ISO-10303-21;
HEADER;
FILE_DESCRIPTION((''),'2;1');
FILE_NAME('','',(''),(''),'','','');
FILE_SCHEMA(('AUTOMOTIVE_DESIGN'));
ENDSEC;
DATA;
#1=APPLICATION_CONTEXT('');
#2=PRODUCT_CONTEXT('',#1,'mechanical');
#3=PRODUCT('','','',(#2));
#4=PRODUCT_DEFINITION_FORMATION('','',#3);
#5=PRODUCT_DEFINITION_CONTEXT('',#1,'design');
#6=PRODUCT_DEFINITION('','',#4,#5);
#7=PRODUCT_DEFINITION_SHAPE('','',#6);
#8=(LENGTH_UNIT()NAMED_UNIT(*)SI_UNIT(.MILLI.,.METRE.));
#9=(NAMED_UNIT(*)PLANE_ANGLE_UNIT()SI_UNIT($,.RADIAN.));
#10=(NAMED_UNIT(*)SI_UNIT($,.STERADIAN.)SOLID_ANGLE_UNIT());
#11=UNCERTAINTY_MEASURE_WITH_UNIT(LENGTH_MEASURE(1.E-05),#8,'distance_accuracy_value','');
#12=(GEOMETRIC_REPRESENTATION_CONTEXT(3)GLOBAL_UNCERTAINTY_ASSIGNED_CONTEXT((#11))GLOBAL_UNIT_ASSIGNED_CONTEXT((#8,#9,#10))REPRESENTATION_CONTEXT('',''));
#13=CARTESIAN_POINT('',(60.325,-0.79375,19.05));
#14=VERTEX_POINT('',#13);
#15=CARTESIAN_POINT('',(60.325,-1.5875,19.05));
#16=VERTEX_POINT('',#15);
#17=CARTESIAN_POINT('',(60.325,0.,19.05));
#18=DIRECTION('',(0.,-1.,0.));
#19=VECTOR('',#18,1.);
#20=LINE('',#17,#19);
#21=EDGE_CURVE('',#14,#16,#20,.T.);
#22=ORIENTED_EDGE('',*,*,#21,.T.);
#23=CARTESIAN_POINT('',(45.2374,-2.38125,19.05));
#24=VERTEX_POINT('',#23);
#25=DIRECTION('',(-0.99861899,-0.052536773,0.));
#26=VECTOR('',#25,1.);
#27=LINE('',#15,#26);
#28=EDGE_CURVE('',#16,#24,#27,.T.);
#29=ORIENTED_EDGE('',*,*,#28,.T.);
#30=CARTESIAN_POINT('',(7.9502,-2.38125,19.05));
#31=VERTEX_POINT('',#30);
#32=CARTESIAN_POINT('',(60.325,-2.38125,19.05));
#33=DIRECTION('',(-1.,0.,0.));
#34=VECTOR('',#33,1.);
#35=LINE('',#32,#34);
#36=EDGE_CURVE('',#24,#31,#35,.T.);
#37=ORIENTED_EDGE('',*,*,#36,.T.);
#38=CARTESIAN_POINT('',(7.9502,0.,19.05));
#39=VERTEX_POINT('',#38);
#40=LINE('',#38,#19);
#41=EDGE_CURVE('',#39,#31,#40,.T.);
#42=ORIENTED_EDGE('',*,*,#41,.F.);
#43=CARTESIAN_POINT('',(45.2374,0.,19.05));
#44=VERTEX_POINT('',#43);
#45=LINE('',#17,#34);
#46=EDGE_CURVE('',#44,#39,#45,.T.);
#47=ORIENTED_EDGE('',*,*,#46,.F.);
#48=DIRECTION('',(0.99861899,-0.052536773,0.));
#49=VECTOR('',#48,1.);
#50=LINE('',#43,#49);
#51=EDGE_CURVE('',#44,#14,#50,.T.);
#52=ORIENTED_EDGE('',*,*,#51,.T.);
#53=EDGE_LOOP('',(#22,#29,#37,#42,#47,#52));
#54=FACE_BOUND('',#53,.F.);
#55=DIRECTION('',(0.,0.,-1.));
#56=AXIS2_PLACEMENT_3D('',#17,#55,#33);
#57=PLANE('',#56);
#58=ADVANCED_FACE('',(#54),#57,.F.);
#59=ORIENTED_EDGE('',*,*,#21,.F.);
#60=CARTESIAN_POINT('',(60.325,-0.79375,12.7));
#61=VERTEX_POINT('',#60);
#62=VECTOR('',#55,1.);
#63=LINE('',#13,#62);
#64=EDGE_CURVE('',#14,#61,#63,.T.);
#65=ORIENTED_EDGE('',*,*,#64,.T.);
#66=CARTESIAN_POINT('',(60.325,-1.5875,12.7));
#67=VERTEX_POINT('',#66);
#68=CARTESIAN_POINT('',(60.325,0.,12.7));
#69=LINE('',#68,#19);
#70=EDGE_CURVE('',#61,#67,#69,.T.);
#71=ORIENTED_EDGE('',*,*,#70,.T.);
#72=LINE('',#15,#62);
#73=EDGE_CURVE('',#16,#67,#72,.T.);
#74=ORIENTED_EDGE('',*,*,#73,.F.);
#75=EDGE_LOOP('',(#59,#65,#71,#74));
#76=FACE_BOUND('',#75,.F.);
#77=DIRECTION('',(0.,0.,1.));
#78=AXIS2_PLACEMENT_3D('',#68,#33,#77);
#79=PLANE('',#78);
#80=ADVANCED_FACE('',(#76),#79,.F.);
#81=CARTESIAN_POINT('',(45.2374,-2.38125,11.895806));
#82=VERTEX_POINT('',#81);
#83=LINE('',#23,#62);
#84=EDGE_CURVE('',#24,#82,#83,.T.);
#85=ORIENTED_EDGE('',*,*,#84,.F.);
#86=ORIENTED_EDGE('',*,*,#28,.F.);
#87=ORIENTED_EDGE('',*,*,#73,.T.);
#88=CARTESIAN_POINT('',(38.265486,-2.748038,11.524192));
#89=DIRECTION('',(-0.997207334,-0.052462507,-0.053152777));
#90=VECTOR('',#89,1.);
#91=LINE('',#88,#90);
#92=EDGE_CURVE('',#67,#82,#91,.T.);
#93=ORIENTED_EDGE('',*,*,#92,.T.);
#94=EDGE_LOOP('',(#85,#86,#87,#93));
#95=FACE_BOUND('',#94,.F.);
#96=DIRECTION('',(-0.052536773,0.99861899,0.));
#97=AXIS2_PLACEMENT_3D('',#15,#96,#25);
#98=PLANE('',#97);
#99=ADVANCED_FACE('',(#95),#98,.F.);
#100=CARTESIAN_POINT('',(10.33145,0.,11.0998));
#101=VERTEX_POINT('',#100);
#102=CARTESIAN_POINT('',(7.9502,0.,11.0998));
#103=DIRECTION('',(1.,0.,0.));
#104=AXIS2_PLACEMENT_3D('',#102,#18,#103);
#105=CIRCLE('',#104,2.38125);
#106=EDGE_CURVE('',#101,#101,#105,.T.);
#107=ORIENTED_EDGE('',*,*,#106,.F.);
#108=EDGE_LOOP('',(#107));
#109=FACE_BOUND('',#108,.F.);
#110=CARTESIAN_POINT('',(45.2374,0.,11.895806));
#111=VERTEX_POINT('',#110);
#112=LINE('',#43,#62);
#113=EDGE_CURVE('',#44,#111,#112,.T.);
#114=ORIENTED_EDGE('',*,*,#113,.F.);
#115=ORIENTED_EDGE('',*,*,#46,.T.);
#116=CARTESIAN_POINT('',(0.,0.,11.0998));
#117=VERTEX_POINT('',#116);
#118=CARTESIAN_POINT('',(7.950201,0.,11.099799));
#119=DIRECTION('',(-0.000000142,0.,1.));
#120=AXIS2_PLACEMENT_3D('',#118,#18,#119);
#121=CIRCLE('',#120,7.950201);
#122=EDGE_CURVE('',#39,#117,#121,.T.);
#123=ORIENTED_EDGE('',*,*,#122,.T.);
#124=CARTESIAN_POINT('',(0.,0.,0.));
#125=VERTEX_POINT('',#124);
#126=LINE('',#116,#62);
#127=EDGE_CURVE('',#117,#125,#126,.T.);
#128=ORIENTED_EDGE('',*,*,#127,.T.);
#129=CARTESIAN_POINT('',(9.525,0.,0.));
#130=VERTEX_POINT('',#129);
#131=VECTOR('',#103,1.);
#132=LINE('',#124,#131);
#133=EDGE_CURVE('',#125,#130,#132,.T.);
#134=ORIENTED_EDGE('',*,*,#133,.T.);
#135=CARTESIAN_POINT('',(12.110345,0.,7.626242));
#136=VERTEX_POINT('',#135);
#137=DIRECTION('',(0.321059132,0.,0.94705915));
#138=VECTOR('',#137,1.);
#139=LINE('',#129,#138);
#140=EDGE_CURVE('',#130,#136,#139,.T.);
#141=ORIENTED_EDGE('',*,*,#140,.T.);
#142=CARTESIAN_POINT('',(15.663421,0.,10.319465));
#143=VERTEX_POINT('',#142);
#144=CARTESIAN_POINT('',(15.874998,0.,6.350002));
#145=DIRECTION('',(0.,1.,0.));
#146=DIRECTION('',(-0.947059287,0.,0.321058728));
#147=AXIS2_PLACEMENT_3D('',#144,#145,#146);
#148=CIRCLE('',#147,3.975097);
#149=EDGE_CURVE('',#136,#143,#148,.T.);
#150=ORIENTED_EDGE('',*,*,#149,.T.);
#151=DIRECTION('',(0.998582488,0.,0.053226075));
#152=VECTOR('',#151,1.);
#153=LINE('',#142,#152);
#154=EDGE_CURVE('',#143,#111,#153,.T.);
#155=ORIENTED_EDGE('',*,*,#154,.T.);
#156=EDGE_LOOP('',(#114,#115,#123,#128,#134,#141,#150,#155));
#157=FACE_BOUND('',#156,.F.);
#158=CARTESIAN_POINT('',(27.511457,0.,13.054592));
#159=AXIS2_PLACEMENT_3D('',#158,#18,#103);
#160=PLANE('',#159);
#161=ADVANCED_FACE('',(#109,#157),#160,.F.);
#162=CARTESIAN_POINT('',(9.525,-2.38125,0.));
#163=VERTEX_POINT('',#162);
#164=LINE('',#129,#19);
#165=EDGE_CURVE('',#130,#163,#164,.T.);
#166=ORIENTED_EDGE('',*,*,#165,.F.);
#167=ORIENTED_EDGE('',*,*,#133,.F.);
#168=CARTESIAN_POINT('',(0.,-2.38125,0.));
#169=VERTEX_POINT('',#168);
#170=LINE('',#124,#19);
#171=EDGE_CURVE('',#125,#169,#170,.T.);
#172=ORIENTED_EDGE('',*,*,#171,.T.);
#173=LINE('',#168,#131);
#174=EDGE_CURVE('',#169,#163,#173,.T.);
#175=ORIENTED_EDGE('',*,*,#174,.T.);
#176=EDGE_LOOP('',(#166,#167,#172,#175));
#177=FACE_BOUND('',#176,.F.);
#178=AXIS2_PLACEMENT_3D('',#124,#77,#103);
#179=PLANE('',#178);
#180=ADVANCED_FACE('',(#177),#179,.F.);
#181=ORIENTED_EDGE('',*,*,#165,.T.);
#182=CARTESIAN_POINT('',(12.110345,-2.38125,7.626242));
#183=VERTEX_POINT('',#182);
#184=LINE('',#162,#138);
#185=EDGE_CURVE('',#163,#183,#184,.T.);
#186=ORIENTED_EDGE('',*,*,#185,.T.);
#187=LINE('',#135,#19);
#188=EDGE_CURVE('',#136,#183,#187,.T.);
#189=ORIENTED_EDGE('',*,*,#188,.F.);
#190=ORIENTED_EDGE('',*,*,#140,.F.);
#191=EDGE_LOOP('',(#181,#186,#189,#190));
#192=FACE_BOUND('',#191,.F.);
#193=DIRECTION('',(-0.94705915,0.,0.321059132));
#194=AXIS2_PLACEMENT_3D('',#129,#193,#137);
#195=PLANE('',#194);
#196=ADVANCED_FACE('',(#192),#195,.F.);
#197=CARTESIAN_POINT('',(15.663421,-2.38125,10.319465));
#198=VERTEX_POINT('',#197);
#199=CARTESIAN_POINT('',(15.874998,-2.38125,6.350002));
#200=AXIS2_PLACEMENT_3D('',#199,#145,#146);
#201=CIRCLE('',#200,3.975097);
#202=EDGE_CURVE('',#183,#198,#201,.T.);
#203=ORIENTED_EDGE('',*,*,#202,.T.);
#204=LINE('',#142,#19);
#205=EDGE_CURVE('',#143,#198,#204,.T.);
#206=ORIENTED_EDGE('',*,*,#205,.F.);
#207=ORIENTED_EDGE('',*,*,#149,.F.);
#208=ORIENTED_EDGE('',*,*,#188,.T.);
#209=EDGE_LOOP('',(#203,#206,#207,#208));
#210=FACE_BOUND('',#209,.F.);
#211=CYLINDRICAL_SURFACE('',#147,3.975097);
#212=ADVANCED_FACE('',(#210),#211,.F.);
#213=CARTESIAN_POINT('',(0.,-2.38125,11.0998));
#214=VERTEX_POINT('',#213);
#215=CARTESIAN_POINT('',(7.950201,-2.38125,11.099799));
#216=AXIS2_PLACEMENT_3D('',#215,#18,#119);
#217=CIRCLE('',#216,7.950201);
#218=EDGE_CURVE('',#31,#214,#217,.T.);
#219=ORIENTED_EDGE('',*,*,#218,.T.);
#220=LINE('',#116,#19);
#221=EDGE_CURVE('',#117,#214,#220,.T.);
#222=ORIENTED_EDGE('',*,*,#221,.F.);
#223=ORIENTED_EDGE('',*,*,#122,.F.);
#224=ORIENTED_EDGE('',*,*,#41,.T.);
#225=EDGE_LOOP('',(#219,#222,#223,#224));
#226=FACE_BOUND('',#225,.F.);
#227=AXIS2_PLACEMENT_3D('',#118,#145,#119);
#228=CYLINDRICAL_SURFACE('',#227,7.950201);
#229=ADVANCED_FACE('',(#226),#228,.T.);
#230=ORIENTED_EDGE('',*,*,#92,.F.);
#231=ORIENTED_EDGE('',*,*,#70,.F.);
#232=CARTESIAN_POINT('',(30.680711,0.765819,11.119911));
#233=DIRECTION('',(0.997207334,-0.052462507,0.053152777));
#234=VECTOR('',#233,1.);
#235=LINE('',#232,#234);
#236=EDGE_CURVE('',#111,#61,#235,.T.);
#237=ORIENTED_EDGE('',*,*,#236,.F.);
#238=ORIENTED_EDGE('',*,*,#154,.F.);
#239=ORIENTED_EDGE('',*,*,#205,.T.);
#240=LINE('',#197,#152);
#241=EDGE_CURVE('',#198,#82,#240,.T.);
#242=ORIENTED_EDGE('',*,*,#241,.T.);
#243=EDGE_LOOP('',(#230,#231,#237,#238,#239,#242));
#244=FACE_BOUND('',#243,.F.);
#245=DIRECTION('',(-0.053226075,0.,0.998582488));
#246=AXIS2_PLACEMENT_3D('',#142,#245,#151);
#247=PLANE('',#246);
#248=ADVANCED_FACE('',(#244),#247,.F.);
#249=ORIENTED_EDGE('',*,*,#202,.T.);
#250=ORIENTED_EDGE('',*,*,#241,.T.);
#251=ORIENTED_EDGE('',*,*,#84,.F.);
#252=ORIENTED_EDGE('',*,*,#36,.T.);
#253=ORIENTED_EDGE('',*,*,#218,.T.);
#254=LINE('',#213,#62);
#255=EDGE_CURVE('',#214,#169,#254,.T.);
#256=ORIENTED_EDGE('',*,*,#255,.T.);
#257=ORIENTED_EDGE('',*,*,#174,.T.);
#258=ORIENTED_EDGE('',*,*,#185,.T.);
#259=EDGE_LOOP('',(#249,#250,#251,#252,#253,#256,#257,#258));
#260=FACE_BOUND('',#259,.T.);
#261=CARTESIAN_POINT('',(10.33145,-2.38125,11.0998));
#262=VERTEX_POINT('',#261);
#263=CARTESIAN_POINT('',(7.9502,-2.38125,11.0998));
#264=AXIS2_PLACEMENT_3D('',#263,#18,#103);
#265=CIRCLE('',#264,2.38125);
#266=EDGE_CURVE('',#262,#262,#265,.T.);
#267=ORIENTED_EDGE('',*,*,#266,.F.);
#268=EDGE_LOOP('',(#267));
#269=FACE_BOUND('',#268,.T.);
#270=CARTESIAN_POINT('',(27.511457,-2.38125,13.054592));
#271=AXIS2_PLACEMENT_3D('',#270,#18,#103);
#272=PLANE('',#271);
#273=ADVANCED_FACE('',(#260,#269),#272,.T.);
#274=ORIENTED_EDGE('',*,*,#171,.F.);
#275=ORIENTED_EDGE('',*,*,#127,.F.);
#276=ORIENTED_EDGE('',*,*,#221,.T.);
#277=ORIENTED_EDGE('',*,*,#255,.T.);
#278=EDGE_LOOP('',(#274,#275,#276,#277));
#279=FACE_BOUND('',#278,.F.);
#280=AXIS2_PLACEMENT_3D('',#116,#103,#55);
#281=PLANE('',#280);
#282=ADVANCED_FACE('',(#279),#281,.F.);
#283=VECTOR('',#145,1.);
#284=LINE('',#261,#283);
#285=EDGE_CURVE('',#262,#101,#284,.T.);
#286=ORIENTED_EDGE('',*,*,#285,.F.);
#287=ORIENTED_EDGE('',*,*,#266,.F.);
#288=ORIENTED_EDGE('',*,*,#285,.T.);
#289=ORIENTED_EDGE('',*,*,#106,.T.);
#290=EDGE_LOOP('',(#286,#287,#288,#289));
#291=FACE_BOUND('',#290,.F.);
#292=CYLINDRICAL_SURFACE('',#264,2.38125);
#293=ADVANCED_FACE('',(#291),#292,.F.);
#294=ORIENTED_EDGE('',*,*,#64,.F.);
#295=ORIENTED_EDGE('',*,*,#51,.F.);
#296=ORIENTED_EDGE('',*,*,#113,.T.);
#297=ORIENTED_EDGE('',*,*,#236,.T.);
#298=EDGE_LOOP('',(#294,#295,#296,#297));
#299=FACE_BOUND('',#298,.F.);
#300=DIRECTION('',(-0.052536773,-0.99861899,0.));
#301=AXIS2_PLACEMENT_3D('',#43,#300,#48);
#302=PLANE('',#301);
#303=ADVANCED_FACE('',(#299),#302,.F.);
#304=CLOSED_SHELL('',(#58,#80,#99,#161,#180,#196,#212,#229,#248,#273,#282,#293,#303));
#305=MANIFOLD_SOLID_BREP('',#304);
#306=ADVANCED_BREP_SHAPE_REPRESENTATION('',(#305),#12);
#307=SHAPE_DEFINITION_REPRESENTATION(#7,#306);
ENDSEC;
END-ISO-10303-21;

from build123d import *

# Parameters (mm, degrees)
F1_DEPTH = 2.38125
F2_R     = 2.38125
F3_DEPTH = 25.4
F5_DEPTH = 25.4


with BuildPart() as f1:
    # F0 (on Front) → F1 (new body)
    with BuildSketch(Plane.XZ):
        with BuildLine():
            Line((60.325, 19.05), (7.9502, 19.05))
            ThreePointArc((7.9502, 19.05), (2.32856, 16.72144), (0, 11.0998))
            Line((0, 11.0998), (0, 0))
            Line((0, 0), (9.525, 0))
            Line((9.525, 0), (12.110345, 7.626242))
            ThreePointArc((12.110345, 7.626242), (13.473756, 9.517878), (15.663421, 10.319465))
            Line((15.663421, 10.319465), (60.325, 12.7))
            Line((60.325, 12.7), (60.325, 19.05))
        make_face()
    extrude(amount=F1_DEPTH)

    # F2 (on face) → F3 (cut)
    with BuildSketch(Plane.XZ.offset(2.38125)):
        with Locations((7.9502, 11.0998)):
            Circle(F2_R)
    extrude(amount=-F3_DEPTH, mode=Mode.SUBTRACT)

    # F4 (on face) → F5 (cut)
    with BuildSketch(Plane.XY.offset(19.05)):
        Polygon((60.325, 0), (45.2374, 0), (60.325, -0.79375), align=None)
        Polygon((60.325, -2.38125), (60.325, -1.5875), (45.2374, -2.38125), align=None)
    extrude(amount=-F5_DEPTH, mode=Mode.SUBTRACT)


solid = f1.part
